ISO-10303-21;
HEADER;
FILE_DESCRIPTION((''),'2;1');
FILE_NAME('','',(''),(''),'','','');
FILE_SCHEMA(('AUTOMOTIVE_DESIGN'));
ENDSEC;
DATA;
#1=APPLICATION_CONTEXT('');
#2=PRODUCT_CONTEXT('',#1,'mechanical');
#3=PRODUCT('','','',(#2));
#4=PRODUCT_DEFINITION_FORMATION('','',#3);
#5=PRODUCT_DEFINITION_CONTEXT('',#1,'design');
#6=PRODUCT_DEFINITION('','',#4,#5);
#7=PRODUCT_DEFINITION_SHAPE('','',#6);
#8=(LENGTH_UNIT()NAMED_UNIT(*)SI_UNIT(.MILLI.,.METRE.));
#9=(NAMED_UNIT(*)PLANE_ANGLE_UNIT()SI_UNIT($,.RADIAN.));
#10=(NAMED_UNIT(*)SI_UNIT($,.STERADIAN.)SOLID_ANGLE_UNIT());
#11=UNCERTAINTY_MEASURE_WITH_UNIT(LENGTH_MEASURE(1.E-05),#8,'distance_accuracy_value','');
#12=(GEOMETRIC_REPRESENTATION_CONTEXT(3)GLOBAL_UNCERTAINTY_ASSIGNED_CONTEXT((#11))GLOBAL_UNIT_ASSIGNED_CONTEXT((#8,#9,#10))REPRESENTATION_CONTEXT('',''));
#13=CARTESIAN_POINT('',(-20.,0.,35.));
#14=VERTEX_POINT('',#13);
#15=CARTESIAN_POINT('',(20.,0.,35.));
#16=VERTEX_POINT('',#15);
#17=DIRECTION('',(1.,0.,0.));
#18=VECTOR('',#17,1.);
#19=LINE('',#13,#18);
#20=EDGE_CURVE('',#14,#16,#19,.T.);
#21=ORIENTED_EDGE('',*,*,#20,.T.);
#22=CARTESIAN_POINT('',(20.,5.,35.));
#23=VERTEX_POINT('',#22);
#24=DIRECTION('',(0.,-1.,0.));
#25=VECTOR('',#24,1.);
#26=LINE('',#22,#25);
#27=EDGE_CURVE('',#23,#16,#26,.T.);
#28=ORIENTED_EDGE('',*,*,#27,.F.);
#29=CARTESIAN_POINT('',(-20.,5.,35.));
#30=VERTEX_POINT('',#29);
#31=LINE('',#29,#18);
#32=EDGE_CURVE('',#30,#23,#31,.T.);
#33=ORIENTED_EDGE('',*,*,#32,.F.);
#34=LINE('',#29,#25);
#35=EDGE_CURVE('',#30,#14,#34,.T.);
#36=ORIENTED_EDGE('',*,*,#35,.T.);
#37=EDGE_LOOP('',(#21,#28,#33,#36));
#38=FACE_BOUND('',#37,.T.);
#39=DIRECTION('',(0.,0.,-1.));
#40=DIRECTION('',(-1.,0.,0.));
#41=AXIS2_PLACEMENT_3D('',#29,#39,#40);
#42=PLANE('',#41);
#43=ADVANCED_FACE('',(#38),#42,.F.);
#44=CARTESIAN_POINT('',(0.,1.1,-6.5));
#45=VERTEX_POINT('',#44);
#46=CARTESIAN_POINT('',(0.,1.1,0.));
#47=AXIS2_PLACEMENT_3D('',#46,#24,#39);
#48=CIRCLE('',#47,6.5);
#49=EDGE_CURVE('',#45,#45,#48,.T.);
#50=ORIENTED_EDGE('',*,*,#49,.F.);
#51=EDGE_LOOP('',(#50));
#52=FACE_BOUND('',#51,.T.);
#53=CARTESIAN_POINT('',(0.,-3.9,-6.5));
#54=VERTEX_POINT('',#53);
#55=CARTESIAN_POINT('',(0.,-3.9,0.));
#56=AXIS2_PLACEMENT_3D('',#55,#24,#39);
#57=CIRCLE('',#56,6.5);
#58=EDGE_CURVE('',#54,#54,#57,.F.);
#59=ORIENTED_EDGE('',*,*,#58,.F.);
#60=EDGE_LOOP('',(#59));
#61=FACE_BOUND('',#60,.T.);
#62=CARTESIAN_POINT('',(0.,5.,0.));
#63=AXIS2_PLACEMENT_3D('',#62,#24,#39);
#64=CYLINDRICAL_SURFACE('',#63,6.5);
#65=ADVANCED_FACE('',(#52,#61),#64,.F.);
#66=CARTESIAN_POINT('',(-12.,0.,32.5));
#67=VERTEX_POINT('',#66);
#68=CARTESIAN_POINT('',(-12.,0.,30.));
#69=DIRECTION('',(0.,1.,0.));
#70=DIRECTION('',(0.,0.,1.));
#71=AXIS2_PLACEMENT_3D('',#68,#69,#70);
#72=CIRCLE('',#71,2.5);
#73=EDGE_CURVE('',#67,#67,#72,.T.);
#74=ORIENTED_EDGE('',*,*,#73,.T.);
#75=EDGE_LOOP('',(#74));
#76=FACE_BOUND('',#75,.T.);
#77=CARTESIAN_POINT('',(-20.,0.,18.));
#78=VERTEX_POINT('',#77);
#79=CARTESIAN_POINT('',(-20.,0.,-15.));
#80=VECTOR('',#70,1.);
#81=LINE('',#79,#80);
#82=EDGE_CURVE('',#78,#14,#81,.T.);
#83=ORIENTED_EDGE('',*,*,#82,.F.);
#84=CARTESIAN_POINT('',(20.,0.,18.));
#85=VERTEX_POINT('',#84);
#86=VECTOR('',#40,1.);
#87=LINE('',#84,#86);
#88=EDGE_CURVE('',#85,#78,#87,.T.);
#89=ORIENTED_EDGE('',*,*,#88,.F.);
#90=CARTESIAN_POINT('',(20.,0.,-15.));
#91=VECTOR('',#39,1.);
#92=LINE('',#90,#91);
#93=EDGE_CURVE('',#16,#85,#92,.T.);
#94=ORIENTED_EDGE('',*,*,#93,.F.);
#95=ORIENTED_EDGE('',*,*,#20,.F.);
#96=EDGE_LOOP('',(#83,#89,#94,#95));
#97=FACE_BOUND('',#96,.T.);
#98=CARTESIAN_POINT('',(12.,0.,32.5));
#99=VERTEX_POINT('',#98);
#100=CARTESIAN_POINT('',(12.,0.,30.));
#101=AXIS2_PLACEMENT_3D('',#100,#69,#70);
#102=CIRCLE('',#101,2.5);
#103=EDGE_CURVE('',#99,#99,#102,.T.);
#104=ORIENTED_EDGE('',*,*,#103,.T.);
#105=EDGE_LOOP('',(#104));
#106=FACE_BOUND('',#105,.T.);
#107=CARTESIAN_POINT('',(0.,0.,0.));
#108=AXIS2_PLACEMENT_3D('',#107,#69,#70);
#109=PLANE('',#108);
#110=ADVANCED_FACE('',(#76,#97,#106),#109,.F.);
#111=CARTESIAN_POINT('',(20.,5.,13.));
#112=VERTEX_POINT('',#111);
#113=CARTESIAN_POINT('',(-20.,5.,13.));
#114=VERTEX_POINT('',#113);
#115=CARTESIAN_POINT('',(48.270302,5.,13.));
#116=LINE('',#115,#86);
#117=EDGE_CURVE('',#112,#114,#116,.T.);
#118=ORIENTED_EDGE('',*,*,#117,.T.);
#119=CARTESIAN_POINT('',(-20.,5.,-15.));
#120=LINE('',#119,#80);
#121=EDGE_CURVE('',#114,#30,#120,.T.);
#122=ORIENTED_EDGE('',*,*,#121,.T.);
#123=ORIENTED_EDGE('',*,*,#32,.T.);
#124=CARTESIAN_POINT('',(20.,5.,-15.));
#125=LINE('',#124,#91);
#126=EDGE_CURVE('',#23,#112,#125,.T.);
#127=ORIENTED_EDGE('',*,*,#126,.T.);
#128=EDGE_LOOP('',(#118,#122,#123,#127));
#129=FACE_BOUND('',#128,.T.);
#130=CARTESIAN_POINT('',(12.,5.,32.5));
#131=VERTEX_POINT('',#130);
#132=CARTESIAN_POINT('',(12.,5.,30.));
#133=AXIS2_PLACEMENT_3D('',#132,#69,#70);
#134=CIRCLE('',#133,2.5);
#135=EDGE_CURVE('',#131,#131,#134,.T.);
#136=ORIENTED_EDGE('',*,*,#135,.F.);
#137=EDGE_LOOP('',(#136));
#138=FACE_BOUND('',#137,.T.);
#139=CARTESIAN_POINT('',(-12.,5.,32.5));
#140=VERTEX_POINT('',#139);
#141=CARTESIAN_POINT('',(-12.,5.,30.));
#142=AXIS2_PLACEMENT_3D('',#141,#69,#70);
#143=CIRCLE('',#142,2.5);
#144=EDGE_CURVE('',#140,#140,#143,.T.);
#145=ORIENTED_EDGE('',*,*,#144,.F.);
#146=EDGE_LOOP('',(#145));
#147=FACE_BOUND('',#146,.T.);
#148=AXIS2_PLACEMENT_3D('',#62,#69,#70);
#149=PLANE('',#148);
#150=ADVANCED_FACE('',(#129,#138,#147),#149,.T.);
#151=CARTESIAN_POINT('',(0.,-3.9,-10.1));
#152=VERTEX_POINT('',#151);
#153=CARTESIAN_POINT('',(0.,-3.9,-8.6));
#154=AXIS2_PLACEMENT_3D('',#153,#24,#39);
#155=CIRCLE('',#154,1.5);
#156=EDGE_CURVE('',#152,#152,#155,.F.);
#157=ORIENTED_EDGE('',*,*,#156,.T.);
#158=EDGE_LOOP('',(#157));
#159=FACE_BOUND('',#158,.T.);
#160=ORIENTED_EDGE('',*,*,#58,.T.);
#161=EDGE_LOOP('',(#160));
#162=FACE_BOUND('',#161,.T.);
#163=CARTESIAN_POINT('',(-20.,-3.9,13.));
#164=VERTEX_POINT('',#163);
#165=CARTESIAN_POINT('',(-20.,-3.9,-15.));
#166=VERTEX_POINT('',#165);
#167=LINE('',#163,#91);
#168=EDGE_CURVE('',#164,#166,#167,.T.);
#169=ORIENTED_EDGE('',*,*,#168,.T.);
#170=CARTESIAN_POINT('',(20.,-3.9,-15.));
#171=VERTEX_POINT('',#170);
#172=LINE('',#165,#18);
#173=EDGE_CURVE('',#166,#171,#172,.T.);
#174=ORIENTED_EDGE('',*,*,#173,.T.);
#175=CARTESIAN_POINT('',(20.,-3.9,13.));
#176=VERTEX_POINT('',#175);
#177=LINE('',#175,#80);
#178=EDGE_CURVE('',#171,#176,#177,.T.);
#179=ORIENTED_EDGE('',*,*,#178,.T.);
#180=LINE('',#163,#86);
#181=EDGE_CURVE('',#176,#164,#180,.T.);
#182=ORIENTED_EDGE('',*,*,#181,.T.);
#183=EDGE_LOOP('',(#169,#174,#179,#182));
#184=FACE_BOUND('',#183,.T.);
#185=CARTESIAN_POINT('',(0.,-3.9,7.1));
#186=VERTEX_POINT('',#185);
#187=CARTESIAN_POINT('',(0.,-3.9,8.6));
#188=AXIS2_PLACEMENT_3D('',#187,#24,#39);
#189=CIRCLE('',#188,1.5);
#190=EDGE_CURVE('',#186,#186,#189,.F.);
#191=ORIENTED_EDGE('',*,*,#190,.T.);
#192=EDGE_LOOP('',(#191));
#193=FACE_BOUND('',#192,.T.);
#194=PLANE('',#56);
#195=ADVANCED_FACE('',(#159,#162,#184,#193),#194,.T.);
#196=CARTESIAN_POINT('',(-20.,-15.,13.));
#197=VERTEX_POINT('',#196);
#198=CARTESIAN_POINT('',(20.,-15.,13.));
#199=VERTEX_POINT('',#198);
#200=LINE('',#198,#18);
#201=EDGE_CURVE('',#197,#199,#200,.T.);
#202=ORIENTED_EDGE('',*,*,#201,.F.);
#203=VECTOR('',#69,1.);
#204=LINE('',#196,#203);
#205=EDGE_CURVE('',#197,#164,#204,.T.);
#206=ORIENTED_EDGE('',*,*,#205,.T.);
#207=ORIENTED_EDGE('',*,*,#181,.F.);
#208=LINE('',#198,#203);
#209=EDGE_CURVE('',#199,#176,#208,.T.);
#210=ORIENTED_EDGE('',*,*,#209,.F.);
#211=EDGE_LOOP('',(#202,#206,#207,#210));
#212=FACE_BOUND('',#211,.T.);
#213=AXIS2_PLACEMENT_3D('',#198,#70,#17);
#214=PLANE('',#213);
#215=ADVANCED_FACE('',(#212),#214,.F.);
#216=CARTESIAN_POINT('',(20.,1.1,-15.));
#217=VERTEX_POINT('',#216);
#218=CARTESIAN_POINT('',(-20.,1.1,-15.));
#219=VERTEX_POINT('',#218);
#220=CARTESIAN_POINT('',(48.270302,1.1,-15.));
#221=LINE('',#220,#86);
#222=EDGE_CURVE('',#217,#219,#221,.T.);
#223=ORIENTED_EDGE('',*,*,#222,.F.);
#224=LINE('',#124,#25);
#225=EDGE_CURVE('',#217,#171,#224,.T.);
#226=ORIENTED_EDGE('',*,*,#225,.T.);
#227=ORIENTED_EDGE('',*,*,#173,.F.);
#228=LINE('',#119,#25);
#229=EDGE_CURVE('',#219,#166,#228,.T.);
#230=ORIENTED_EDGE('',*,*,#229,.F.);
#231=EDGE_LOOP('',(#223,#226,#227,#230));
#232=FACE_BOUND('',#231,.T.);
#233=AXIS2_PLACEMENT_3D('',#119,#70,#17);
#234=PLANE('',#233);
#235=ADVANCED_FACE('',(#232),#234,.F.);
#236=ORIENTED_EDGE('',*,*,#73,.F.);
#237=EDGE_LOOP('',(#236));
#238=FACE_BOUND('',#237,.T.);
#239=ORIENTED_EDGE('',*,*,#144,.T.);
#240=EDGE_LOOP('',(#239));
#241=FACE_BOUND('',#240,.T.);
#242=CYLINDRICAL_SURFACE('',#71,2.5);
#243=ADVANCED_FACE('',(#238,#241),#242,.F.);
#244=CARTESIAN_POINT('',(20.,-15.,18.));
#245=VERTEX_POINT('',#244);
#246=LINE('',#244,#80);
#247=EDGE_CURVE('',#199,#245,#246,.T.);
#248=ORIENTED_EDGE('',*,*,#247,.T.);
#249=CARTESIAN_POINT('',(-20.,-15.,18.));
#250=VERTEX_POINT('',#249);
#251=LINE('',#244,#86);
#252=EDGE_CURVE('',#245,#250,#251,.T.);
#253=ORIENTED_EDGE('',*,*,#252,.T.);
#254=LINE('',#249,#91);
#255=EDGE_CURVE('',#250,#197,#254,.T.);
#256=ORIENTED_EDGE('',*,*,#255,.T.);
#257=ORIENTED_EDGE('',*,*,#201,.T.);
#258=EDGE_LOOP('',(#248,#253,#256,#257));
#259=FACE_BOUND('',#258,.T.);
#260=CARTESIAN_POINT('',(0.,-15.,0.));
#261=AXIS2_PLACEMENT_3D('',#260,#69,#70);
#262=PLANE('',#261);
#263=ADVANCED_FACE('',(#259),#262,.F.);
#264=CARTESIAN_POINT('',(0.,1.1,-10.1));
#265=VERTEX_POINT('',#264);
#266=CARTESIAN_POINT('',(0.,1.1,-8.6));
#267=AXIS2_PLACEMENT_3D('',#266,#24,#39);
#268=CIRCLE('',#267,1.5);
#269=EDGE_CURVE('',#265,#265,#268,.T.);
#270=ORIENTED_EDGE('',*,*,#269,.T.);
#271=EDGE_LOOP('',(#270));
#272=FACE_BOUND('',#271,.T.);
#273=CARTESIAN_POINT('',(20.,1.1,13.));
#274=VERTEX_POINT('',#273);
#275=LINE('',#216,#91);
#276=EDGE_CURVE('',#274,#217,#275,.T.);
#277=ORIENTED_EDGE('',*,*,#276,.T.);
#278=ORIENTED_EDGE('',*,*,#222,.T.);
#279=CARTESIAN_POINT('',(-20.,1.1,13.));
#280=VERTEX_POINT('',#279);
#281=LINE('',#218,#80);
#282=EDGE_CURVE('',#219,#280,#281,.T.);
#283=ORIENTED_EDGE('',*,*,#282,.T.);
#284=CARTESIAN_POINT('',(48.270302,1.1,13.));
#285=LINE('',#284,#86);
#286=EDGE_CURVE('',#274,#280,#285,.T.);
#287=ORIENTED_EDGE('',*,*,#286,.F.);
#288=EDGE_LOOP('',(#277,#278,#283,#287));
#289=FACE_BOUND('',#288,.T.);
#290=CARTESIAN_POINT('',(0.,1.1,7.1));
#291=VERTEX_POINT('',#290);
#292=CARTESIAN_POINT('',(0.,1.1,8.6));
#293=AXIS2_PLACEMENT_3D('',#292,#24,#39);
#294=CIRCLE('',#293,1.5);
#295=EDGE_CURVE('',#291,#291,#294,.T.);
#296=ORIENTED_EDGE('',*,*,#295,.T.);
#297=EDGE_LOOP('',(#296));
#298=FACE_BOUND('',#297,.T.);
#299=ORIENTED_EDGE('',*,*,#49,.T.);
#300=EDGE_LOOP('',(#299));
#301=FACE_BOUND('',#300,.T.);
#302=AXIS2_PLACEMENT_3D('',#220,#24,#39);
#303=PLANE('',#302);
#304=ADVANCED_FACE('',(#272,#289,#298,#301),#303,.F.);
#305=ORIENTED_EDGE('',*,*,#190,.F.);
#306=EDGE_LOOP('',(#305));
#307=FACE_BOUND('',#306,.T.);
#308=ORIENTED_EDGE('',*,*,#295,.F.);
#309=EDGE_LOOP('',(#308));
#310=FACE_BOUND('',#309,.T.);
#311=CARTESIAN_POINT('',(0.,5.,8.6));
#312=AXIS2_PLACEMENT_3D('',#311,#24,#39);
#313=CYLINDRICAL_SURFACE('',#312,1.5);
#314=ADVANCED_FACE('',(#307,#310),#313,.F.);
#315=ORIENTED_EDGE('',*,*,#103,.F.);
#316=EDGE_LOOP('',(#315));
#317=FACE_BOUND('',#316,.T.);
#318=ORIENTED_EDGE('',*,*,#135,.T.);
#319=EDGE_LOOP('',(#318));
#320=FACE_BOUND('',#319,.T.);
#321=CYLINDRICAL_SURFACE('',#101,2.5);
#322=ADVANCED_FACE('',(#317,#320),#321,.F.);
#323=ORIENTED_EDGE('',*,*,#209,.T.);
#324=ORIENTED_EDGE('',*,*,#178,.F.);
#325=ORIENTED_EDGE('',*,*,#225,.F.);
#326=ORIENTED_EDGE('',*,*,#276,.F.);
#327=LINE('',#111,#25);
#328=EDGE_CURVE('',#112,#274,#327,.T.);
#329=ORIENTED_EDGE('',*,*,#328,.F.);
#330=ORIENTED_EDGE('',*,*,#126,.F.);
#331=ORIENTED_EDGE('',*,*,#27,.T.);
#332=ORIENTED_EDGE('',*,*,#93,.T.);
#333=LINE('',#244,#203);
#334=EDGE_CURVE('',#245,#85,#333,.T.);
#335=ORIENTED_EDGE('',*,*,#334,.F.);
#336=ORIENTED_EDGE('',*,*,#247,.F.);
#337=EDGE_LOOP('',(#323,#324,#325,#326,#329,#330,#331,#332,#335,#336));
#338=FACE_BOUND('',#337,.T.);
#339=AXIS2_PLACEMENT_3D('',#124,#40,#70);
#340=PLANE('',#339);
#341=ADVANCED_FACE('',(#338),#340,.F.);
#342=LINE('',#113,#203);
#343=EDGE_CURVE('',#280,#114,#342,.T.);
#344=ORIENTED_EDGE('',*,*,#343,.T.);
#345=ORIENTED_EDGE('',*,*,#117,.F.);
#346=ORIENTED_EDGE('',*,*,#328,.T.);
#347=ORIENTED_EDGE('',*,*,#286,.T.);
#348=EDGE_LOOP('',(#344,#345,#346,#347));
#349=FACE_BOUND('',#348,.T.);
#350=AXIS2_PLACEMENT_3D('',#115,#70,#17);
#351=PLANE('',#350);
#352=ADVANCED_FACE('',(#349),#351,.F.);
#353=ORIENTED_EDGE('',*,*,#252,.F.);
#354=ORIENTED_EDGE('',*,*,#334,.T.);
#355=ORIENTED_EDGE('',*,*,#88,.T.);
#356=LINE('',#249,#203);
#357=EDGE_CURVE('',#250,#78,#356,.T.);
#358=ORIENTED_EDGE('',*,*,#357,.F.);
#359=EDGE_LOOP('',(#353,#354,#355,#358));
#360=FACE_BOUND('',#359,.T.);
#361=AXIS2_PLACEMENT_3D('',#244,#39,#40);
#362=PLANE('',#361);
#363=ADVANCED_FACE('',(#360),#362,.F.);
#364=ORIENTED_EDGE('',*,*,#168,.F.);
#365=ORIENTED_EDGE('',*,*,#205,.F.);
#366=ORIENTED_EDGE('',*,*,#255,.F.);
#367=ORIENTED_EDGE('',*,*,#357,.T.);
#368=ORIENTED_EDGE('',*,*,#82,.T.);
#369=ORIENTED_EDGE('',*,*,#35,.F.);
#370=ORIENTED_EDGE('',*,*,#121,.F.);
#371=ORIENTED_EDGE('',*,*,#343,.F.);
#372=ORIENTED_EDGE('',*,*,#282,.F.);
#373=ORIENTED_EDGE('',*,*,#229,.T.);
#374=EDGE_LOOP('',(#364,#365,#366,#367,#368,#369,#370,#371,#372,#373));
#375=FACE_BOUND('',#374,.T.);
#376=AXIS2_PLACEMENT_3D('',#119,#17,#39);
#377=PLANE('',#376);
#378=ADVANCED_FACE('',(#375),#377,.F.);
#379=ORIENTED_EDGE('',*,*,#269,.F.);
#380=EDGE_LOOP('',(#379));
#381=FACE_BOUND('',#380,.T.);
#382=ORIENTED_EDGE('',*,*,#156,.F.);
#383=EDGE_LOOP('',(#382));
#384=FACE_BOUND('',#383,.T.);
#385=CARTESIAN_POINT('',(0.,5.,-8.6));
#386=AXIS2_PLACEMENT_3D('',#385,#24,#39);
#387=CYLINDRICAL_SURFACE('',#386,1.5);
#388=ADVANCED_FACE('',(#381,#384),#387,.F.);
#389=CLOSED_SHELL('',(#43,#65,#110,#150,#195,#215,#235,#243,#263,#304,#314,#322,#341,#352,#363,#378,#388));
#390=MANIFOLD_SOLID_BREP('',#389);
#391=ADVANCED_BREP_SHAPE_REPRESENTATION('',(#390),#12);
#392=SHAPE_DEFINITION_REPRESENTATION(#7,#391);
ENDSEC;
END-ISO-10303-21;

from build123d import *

# Parameters (mm, degrees)
SKETCH3_W               = 40
SKETCH3_H               = 50
BOSS_EXTRUDE1_DEPTH     = 5
SKETCH6_R               = 2.5
CUT_EXTRUDE6_DEPTH      = 41.620192023
SKETCH7_W               = 40
SKETCH7_H               = 5
BOSS_EXTRUDE2_DEPTH     = 15
SKETCH8_W               = 40
SKETCH8_H               = 28
BOSS_EXTRUDE3_DEPTH     = 3.9
CUT_EXTRUDE3_DEPTH      = 44.011626335
CUT_EXTRUDE3_DEPTH_BACK = 44.011626335
SKETCH1_R               = 6.5
SKETCH1_R_2             = 1.5
CUT_EXTRUDE7_REACH      = 57.227
SKETCH9_W               = 28
SKETCH9_H               = 3.9


with BuildPart() as part:
    # Sketch3 → Boss-Extrude1 (new body)
    with BuildSketch(Plane(origin=(0, 0, 0), x_dir=(1, 0, 0), z_dir=(0, 1, 0))):
        with Locations((0, -10)):
            Rectangle(SKETCH3_W, SKETCH3_H)
    extrude(amount=BOSS_EXTRUDE1_DEPTH)

    # Sketch6 → Cut-Extrude6 (cut, through all)
    with BuildSketch(Plane(origin=(0, 5, 0), x_dir=(1, 0, 0), z_dir=(0, 1, 0))):
        with Locations(Location((-12, -30, 0), (0, 0, 270))):
            Circle(SKETCH6_R)
        with Locations(Location((12, -30, 0), (0, 0, 270))):
            Circle(SKETCH6_R)
    extrude(amount=-CUT_EXTRUDE6_DEPTH, mode=Mode.SUBTRACT)

    # Sketch7 → Boss-Extrude2 (add)
    with BuildSketch(Plane.XZ):
        with Locations((0, 15.5)):
            Rectangle(SKETCH7_W, SKETCH7_H)
    extrude(amount=BOSS_EXTRUDE2_DEPTH)

    # Sketch8 → Boss-Extrude3 (add)
    with BuildSketch(Plane.XZ):
        with Locations((0, -1)):
            Rectangle(SKETCH8_W, SKETCH8_H)
    extrude(amount=BOSS_EXTRUDE3_DEPTH)

    # Sketch1 → Cut-Extrude3 (cut, two sides: drawn at the far end of the back side and taken through both)
    with BuildSketch(Plane(origin=(0, 0, 0), x_dir=(1, 0, 0), z_dir=(0, 1, 0)).offset(-CUT_EXTRUDE3_DEPTH_BACK)):
        with Locations(Location((0, 0, 0), (0, 0, 90))):
            Circle(SKETCH1_R)
        with Locations(Location((0, 8.6, 0), (0, 0, 90))):
            Circle(SKETCH1_R_2)
        with Locations(Location((0, -8.6, 0), (0, 0, 90))):
            Circle(SKETCH1_R_2)
    extrude(amount=CUT_EXTRUDE3_DEPTH + CUT_EXTRUDE3_DEPTH_BACK, mode=Mode.SUBTRACT)

    # Cut-Extrude7: up to this face of the body (flat: up to its plane)
    cut_extrude7_end = Plane(part.part.faces().sort_by_distance((20, -0.346476278, 8.183555965))[0])
    # Sketch9 → Cut-Extrude7 (cut, up to the picked face)
    with BuildSketch(Plane.ZY.offset(20), mode=Mode.PRIVATE) as cut_extrude7_sk1:
        with Locations((-1, 3.05)):
            Rectangle(SKETCH9_W, SKETCH9_H)
    cut_extrude7_tool1 = split(extrude(cut_extrude7_sk1.sketch, amount=-CUT_EXTRUDE7_REACH, mode=Mode.PRIVATE), bisect_by=cut_extrude7_end, keep=Keep.BOTH, mode=Mode.PRIVATE)
    add(cut_extrude7_tool1.solids().sort_by(Axis((-20, 3.05, -1), (1, 0, 0)))[0], mode=Mode.SUBTRACT)


solid = part.part
